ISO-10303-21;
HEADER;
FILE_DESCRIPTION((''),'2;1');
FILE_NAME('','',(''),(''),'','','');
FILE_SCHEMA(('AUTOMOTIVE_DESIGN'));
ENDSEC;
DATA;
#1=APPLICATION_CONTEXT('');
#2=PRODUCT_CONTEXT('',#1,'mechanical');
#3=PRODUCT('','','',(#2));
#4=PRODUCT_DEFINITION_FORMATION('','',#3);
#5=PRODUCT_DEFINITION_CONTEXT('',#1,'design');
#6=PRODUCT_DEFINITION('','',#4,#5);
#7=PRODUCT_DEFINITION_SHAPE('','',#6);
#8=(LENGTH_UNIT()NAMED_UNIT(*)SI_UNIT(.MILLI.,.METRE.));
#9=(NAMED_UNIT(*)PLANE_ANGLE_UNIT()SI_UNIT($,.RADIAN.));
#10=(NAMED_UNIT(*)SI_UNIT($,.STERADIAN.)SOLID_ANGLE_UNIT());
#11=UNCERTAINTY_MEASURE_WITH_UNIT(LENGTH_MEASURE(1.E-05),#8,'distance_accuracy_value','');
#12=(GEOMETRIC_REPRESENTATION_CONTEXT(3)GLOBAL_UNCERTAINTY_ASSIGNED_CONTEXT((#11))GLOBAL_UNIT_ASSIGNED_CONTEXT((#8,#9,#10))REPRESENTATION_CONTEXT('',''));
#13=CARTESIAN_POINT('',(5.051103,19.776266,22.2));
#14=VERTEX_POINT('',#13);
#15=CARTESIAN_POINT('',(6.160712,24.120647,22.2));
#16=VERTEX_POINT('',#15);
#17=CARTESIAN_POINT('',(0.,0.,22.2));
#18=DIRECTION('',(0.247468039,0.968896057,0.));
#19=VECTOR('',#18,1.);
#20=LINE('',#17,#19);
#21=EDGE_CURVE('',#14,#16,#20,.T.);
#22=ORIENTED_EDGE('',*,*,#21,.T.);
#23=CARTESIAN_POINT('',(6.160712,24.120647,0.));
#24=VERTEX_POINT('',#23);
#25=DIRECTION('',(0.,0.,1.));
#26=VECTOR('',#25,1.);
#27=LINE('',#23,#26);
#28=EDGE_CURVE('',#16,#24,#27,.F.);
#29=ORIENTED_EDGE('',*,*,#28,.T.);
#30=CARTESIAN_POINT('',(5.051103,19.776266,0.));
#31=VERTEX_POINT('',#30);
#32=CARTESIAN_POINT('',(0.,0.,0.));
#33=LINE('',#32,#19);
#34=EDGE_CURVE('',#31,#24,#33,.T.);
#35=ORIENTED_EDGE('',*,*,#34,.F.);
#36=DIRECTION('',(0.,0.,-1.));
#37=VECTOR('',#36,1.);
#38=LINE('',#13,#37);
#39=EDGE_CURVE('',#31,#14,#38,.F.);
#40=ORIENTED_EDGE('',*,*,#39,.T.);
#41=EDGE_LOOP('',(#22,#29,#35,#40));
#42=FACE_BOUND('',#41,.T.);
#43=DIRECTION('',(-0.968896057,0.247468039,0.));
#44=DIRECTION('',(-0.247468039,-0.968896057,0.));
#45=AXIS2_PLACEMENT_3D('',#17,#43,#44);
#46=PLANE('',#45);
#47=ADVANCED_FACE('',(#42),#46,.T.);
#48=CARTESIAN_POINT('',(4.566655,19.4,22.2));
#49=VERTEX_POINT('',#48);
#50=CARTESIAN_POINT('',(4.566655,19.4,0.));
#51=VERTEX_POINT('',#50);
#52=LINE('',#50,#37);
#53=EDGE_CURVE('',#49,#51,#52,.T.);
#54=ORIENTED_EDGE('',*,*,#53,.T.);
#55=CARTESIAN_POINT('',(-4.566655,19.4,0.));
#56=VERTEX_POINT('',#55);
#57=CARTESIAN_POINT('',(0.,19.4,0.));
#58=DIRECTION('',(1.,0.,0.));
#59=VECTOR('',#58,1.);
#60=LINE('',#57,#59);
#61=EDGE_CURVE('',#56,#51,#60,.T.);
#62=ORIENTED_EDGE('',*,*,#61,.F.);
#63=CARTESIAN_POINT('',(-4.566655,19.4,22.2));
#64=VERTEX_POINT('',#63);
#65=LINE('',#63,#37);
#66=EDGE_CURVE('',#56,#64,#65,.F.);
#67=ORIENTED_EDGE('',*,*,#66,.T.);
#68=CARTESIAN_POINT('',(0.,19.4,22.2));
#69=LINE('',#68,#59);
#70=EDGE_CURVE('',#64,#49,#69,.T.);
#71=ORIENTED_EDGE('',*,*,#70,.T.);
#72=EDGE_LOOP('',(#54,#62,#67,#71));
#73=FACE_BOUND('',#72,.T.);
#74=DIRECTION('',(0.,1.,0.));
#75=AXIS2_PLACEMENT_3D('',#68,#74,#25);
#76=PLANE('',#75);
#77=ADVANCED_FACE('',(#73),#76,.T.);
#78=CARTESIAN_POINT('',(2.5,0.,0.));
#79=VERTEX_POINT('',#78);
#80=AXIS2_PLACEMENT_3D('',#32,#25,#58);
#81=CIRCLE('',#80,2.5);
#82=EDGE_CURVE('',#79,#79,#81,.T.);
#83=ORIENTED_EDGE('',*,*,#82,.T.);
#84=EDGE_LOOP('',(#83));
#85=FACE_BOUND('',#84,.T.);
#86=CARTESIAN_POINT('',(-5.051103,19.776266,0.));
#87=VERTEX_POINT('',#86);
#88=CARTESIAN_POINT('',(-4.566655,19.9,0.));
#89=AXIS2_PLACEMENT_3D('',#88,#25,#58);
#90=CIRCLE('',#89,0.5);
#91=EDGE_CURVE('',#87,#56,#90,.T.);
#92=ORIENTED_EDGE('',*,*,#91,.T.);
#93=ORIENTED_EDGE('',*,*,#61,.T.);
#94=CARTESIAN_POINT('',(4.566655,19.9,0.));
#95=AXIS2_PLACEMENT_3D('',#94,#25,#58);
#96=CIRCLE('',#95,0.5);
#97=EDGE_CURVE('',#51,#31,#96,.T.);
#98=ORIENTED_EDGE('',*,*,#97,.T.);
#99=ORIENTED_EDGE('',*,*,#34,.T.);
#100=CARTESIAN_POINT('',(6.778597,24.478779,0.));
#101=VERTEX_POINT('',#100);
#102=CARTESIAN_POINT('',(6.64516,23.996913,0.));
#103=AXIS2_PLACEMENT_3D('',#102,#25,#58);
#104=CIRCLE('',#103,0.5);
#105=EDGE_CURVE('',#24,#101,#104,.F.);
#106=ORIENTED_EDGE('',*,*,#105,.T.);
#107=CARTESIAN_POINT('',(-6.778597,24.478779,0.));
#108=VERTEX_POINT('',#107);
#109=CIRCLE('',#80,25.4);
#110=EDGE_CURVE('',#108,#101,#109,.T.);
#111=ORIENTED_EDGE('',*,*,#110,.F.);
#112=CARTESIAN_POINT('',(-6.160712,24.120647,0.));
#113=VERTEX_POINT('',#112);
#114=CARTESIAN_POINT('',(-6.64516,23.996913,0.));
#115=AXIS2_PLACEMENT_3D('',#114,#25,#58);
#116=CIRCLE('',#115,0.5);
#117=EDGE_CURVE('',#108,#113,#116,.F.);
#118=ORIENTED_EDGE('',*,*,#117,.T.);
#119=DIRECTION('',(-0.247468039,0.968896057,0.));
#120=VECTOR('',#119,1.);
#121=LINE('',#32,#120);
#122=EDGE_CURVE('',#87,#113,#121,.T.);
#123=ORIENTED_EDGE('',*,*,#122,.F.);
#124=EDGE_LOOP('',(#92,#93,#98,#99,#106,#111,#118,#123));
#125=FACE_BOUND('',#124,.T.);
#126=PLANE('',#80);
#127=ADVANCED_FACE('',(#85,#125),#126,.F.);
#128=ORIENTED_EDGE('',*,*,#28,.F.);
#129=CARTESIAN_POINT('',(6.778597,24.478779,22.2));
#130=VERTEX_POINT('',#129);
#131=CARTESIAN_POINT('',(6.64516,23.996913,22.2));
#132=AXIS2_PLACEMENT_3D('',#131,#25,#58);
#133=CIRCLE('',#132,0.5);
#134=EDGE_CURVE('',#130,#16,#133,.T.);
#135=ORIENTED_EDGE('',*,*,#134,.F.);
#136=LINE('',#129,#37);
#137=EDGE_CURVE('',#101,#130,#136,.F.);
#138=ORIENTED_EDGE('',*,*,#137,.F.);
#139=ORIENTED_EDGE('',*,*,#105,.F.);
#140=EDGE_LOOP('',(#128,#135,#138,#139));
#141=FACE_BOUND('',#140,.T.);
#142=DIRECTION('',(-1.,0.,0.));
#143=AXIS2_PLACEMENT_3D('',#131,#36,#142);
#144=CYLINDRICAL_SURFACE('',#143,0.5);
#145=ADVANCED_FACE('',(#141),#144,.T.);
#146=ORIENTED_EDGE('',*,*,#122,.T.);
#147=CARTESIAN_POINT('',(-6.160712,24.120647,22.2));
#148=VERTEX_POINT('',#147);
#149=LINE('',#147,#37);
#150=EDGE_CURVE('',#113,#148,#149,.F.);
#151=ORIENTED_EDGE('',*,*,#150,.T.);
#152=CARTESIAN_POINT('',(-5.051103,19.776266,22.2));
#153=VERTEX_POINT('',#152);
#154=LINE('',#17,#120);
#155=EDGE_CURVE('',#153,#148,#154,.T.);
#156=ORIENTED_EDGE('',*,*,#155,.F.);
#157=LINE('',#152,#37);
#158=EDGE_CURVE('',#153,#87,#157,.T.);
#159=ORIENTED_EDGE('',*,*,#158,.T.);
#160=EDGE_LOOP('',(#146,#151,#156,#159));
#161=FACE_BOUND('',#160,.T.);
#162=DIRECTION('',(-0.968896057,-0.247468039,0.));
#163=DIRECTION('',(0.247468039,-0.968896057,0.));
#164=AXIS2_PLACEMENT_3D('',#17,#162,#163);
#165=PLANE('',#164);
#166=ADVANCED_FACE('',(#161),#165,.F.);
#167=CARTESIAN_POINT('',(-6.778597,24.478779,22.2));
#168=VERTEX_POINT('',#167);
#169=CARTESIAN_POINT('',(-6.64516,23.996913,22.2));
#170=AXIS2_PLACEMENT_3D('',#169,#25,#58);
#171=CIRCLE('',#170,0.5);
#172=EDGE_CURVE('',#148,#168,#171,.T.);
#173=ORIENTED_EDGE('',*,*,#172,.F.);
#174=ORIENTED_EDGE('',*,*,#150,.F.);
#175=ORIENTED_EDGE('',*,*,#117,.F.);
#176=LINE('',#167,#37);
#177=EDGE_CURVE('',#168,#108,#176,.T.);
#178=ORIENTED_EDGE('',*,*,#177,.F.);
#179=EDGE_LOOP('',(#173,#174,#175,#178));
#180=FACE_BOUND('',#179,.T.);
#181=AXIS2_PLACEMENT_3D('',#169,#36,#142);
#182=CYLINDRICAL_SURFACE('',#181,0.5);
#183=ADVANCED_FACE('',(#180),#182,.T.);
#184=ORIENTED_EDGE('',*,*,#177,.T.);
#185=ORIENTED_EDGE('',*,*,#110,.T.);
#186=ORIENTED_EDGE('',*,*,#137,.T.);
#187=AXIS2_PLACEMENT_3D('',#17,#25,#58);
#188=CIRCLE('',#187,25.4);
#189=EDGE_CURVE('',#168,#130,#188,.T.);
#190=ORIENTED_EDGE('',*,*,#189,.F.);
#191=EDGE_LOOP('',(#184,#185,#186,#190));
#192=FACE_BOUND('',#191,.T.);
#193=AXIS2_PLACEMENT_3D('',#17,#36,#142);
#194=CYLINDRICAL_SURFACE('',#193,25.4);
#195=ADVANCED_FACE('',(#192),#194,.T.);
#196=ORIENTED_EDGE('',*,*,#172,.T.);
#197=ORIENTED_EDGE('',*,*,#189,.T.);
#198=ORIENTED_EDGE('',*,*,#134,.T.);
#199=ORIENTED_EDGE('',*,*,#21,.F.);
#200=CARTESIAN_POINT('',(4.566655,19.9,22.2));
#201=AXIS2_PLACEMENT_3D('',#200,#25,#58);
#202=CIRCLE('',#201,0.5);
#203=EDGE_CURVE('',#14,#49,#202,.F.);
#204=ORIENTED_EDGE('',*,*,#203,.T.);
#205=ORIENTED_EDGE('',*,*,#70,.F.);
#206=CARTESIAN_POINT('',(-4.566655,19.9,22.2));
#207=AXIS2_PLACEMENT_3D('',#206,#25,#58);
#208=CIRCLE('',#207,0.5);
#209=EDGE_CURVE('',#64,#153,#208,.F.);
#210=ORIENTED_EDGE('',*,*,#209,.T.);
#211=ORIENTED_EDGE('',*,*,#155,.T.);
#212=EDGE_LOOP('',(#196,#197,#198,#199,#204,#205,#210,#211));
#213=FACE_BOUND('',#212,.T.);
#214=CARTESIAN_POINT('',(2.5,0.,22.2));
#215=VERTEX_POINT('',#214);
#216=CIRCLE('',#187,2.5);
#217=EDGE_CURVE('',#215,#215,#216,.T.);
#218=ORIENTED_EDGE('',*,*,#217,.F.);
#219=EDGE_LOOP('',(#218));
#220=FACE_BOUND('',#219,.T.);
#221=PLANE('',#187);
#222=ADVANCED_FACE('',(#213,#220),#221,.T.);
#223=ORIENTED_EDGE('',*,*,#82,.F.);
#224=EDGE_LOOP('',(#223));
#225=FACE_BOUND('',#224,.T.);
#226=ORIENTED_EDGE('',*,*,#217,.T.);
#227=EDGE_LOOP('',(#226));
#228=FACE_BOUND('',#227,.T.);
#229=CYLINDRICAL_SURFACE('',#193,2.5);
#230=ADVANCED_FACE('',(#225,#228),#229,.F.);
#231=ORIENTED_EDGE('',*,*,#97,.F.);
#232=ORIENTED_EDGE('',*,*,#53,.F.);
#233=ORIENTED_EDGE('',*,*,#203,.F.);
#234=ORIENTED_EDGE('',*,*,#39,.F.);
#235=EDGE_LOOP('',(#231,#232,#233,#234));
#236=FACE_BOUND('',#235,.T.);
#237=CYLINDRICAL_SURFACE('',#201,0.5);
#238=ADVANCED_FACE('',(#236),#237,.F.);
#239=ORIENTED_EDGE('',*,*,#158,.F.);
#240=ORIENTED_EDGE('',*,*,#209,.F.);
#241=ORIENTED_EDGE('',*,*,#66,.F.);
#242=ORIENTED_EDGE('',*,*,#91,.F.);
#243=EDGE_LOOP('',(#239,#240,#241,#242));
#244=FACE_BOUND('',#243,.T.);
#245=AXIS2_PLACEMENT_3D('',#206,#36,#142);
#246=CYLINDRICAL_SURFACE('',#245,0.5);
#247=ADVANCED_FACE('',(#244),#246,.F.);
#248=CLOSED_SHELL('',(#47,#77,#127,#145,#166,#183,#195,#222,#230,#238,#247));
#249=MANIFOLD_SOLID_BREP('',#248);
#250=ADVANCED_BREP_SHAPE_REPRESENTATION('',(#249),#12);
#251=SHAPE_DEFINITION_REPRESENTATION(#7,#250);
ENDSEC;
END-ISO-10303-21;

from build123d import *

# Parameters (mm, degrees)
SKETCH2_R           = 2.5
BOSS_EXTRUDE2_DEPTH = 22.2
FILLET1_R           = 0.5


with BuildPart() as part:
    # Sketch2 → Boss-Extrude2 (new body)
    with BuildSketch(Plane.XY):
        with BuildLine():
            Line((4.955, 19.4), (-4.955, 19.4))
            Line((-4.955, 19.4), (-6.285688199, 24.609959851))
            ThreePointArc((-6.285688199, 24.609959851), (-15.580492928, -20.060115656), (25.4, 0))
            ThreePointArc((25.4, 0), (20.060115656, 15.580492928), (6.285688199, 24.609959851))
            Line((6.285688199, 24.609959851), (4.955, 19.4))
        make_face()
        Circle(SKETCH2_R, mode=Mode.SUBTRACT)
    extrude(amount=BOSS_EXTRUDE2_DEPTH)

    # Fillet1
    fillet1_edges = [part.edges().sort_by_distance(p)[0] for p in [
        (-4.955, 19.4, 11.1),
        (4.955, 19.4, 11.1),
        (6.285688199, 24.609959851, 11.1),
        (-6.285688199, 24.609959851, 11.1),
    ]]
    fillet(fillet1_edges, radius=FILLET1_R)


solid = part.part
